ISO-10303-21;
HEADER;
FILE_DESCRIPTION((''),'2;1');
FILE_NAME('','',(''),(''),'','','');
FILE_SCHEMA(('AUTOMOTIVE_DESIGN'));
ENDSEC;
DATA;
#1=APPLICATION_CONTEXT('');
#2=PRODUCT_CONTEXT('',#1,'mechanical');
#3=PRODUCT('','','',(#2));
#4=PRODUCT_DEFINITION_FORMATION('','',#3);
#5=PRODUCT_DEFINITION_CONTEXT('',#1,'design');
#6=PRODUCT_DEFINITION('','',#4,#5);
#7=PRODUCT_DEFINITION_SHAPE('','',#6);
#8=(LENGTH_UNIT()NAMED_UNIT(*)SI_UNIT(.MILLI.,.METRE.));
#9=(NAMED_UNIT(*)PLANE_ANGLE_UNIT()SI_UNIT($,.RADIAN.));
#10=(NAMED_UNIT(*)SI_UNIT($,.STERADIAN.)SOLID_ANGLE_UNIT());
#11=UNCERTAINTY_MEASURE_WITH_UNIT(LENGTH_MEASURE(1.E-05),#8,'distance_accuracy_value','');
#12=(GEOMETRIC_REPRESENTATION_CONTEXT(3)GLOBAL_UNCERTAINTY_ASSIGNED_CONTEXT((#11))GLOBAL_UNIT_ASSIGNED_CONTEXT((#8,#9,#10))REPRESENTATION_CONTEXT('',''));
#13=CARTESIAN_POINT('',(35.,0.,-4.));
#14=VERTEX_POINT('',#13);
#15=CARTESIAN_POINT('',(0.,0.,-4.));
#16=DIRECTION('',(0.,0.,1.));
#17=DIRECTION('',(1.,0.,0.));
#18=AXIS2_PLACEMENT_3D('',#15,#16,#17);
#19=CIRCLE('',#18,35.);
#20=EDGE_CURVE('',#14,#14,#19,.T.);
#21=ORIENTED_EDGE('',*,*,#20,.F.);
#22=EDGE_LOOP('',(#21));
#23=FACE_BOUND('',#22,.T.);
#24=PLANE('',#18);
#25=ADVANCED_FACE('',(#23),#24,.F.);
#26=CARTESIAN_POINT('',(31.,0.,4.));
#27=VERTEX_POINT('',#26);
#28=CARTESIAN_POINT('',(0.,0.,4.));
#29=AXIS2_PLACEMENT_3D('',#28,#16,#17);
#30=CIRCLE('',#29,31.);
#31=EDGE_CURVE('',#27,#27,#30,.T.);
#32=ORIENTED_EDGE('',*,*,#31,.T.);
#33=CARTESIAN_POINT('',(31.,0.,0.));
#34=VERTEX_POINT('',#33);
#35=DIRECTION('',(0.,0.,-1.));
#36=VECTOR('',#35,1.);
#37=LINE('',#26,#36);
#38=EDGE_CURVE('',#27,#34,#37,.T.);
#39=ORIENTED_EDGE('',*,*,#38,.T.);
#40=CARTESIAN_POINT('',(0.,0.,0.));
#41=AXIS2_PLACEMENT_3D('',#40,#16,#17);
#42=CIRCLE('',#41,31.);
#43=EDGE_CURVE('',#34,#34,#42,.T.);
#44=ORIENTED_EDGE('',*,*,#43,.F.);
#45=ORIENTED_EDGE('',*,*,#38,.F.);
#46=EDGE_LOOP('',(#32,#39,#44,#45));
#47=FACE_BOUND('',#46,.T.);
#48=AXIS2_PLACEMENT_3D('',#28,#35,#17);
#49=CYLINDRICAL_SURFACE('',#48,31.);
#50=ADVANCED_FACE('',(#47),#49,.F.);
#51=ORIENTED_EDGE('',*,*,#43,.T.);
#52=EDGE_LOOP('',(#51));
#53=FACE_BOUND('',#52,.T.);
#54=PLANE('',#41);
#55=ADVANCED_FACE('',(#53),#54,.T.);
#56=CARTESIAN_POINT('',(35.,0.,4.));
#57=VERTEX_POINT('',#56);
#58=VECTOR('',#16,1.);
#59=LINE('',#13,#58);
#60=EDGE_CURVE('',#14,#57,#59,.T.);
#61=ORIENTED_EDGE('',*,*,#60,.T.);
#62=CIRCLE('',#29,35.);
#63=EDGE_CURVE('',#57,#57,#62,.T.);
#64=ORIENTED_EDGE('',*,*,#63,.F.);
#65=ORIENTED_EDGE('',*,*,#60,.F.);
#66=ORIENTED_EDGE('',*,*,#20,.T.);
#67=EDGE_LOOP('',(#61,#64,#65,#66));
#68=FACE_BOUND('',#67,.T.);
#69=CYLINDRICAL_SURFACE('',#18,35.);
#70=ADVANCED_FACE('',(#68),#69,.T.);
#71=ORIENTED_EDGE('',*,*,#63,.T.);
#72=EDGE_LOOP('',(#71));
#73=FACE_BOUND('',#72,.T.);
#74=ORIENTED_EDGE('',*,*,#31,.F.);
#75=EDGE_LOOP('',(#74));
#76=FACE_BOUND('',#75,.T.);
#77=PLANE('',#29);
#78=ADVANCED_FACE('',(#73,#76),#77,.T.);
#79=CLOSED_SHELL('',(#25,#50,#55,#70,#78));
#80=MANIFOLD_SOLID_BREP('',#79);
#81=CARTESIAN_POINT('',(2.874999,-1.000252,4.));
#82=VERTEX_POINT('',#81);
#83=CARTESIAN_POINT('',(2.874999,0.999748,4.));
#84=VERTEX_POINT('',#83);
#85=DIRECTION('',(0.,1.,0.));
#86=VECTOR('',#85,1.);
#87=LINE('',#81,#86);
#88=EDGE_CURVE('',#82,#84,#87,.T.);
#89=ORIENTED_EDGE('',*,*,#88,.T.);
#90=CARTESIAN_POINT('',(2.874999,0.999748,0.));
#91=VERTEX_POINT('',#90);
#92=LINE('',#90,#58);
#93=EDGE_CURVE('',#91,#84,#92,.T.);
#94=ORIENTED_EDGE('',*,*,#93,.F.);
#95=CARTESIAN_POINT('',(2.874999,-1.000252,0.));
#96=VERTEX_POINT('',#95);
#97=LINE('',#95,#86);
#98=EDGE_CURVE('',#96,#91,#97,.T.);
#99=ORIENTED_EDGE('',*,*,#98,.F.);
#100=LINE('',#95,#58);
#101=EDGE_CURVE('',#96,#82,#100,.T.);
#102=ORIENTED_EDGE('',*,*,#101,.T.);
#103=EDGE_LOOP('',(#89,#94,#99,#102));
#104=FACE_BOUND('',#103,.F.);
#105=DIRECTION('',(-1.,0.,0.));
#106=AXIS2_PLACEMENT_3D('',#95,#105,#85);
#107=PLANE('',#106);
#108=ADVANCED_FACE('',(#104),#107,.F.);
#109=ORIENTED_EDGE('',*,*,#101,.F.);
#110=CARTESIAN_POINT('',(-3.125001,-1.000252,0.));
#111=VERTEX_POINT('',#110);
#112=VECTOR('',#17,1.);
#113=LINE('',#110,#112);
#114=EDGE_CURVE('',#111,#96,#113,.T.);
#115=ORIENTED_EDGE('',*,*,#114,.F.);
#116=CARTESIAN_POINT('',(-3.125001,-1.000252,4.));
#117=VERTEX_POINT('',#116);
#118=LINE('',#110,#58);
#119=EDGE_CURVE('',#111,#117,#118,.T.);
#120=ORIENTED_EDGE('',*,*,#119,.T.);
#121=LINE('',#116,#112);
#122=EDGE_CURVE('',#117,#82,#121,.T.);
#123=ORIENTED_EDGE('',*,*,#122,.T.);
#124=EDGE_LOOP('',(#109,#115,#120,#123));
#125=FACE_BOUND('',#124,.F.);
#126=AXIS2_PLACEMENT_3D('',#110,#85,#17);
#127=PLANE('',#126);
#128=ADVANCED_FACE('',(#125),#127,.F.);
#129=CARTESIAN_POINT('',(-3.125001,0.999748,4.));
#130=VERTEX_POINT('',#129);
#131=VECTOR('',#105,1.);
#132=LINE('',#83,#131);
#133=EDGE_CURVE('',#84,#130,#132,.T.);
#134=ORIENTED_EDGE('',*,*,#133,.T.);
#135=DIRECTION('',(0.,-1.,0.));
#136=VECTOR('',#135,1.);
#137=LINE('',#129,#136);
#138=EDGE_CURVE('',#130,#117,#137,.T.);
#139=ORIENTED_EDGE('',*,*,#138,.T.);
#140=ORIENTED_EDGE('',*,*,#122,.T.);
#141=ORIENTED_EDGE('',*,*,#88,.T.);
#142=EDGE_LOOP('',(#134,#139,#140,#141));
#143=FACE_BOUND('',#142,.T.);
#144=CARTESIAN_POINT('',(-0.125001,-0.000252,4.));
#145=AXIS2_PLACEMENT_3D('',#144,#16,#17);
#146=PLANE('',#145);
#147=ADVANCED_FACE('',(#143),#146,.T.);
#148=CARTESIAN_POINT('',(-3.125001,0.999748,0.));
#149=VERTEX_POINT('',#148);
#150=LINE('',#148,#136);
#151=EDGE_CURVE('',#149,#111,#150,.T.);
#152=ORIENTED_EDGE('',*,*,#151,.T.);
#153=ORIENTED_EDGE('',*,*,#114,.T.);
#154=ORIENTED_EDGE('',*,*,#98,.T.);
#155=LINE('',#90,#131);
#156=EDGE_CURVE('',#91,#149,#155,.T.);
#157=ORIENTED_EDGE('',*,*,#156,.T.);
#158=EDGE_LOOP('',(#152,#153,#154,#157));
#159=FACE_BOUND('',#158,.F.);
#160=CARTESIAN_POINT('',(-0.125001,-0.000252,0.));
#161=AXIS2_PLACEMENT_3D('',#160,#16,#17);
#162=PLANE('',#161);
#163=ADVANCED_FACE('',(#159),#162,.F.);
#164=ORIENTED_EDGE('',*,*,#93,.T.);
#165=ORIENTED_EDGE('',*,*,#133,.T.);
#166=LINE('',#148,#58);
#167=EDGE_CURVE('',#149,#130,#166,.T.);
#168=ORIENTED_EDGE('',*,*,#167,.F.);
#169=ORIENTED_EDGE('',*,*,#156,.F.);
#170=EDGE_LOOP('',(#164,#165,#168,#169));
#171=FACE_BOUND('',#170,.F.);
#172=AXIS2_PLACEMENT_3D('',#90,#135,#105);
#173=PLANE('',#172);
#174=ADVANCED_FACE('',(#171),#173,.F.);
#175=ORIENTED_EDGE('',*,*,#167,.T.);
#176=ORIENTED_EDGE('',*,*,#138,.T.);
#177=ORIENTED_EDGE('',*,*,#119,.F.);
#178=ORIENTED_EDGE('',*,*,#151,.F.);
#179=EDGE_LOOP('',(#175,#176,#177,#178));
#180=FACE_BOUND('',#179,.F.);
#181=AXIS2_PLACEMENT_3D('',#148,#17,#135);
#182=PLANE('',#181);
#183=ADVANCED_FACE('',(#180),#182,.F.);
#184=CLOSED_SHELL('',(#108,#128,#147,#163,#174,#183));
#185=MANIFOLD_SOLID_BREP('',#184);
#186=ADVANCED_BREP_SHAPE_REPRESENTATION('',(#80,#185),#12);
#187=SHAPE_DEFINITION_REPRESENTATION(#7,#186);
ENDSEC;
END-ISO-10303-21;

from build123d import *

# Parameters (mm, degrees)
F3_DEPTH = 4


with BuildPart() as f1:
    # F0 (on Front) → F1 (revolve)
    with BuildSketch(Plane.XZ):
        Polygon((31, 0), (0, 0), (0, -4), (35, -4), (35, 4), (31, 4), align=None)
    revolve(axis=Axis((0, 0, -2), (0, 0, 1)))


with BuildPart() as f3:
    # F2 (on face) → F3 (new body)
    with BuildSketch(Plane.XY):
        Polygon((-0.125001, 0.999748), (-3.125001, 0.999748), (-3.125001, -1.000252), (2.874999, -1.000252), (2.874999, 0.999748), align=None)
    extrude(amount=F3_DEPTH)


solid = Compound([f1.part, f3.part])
